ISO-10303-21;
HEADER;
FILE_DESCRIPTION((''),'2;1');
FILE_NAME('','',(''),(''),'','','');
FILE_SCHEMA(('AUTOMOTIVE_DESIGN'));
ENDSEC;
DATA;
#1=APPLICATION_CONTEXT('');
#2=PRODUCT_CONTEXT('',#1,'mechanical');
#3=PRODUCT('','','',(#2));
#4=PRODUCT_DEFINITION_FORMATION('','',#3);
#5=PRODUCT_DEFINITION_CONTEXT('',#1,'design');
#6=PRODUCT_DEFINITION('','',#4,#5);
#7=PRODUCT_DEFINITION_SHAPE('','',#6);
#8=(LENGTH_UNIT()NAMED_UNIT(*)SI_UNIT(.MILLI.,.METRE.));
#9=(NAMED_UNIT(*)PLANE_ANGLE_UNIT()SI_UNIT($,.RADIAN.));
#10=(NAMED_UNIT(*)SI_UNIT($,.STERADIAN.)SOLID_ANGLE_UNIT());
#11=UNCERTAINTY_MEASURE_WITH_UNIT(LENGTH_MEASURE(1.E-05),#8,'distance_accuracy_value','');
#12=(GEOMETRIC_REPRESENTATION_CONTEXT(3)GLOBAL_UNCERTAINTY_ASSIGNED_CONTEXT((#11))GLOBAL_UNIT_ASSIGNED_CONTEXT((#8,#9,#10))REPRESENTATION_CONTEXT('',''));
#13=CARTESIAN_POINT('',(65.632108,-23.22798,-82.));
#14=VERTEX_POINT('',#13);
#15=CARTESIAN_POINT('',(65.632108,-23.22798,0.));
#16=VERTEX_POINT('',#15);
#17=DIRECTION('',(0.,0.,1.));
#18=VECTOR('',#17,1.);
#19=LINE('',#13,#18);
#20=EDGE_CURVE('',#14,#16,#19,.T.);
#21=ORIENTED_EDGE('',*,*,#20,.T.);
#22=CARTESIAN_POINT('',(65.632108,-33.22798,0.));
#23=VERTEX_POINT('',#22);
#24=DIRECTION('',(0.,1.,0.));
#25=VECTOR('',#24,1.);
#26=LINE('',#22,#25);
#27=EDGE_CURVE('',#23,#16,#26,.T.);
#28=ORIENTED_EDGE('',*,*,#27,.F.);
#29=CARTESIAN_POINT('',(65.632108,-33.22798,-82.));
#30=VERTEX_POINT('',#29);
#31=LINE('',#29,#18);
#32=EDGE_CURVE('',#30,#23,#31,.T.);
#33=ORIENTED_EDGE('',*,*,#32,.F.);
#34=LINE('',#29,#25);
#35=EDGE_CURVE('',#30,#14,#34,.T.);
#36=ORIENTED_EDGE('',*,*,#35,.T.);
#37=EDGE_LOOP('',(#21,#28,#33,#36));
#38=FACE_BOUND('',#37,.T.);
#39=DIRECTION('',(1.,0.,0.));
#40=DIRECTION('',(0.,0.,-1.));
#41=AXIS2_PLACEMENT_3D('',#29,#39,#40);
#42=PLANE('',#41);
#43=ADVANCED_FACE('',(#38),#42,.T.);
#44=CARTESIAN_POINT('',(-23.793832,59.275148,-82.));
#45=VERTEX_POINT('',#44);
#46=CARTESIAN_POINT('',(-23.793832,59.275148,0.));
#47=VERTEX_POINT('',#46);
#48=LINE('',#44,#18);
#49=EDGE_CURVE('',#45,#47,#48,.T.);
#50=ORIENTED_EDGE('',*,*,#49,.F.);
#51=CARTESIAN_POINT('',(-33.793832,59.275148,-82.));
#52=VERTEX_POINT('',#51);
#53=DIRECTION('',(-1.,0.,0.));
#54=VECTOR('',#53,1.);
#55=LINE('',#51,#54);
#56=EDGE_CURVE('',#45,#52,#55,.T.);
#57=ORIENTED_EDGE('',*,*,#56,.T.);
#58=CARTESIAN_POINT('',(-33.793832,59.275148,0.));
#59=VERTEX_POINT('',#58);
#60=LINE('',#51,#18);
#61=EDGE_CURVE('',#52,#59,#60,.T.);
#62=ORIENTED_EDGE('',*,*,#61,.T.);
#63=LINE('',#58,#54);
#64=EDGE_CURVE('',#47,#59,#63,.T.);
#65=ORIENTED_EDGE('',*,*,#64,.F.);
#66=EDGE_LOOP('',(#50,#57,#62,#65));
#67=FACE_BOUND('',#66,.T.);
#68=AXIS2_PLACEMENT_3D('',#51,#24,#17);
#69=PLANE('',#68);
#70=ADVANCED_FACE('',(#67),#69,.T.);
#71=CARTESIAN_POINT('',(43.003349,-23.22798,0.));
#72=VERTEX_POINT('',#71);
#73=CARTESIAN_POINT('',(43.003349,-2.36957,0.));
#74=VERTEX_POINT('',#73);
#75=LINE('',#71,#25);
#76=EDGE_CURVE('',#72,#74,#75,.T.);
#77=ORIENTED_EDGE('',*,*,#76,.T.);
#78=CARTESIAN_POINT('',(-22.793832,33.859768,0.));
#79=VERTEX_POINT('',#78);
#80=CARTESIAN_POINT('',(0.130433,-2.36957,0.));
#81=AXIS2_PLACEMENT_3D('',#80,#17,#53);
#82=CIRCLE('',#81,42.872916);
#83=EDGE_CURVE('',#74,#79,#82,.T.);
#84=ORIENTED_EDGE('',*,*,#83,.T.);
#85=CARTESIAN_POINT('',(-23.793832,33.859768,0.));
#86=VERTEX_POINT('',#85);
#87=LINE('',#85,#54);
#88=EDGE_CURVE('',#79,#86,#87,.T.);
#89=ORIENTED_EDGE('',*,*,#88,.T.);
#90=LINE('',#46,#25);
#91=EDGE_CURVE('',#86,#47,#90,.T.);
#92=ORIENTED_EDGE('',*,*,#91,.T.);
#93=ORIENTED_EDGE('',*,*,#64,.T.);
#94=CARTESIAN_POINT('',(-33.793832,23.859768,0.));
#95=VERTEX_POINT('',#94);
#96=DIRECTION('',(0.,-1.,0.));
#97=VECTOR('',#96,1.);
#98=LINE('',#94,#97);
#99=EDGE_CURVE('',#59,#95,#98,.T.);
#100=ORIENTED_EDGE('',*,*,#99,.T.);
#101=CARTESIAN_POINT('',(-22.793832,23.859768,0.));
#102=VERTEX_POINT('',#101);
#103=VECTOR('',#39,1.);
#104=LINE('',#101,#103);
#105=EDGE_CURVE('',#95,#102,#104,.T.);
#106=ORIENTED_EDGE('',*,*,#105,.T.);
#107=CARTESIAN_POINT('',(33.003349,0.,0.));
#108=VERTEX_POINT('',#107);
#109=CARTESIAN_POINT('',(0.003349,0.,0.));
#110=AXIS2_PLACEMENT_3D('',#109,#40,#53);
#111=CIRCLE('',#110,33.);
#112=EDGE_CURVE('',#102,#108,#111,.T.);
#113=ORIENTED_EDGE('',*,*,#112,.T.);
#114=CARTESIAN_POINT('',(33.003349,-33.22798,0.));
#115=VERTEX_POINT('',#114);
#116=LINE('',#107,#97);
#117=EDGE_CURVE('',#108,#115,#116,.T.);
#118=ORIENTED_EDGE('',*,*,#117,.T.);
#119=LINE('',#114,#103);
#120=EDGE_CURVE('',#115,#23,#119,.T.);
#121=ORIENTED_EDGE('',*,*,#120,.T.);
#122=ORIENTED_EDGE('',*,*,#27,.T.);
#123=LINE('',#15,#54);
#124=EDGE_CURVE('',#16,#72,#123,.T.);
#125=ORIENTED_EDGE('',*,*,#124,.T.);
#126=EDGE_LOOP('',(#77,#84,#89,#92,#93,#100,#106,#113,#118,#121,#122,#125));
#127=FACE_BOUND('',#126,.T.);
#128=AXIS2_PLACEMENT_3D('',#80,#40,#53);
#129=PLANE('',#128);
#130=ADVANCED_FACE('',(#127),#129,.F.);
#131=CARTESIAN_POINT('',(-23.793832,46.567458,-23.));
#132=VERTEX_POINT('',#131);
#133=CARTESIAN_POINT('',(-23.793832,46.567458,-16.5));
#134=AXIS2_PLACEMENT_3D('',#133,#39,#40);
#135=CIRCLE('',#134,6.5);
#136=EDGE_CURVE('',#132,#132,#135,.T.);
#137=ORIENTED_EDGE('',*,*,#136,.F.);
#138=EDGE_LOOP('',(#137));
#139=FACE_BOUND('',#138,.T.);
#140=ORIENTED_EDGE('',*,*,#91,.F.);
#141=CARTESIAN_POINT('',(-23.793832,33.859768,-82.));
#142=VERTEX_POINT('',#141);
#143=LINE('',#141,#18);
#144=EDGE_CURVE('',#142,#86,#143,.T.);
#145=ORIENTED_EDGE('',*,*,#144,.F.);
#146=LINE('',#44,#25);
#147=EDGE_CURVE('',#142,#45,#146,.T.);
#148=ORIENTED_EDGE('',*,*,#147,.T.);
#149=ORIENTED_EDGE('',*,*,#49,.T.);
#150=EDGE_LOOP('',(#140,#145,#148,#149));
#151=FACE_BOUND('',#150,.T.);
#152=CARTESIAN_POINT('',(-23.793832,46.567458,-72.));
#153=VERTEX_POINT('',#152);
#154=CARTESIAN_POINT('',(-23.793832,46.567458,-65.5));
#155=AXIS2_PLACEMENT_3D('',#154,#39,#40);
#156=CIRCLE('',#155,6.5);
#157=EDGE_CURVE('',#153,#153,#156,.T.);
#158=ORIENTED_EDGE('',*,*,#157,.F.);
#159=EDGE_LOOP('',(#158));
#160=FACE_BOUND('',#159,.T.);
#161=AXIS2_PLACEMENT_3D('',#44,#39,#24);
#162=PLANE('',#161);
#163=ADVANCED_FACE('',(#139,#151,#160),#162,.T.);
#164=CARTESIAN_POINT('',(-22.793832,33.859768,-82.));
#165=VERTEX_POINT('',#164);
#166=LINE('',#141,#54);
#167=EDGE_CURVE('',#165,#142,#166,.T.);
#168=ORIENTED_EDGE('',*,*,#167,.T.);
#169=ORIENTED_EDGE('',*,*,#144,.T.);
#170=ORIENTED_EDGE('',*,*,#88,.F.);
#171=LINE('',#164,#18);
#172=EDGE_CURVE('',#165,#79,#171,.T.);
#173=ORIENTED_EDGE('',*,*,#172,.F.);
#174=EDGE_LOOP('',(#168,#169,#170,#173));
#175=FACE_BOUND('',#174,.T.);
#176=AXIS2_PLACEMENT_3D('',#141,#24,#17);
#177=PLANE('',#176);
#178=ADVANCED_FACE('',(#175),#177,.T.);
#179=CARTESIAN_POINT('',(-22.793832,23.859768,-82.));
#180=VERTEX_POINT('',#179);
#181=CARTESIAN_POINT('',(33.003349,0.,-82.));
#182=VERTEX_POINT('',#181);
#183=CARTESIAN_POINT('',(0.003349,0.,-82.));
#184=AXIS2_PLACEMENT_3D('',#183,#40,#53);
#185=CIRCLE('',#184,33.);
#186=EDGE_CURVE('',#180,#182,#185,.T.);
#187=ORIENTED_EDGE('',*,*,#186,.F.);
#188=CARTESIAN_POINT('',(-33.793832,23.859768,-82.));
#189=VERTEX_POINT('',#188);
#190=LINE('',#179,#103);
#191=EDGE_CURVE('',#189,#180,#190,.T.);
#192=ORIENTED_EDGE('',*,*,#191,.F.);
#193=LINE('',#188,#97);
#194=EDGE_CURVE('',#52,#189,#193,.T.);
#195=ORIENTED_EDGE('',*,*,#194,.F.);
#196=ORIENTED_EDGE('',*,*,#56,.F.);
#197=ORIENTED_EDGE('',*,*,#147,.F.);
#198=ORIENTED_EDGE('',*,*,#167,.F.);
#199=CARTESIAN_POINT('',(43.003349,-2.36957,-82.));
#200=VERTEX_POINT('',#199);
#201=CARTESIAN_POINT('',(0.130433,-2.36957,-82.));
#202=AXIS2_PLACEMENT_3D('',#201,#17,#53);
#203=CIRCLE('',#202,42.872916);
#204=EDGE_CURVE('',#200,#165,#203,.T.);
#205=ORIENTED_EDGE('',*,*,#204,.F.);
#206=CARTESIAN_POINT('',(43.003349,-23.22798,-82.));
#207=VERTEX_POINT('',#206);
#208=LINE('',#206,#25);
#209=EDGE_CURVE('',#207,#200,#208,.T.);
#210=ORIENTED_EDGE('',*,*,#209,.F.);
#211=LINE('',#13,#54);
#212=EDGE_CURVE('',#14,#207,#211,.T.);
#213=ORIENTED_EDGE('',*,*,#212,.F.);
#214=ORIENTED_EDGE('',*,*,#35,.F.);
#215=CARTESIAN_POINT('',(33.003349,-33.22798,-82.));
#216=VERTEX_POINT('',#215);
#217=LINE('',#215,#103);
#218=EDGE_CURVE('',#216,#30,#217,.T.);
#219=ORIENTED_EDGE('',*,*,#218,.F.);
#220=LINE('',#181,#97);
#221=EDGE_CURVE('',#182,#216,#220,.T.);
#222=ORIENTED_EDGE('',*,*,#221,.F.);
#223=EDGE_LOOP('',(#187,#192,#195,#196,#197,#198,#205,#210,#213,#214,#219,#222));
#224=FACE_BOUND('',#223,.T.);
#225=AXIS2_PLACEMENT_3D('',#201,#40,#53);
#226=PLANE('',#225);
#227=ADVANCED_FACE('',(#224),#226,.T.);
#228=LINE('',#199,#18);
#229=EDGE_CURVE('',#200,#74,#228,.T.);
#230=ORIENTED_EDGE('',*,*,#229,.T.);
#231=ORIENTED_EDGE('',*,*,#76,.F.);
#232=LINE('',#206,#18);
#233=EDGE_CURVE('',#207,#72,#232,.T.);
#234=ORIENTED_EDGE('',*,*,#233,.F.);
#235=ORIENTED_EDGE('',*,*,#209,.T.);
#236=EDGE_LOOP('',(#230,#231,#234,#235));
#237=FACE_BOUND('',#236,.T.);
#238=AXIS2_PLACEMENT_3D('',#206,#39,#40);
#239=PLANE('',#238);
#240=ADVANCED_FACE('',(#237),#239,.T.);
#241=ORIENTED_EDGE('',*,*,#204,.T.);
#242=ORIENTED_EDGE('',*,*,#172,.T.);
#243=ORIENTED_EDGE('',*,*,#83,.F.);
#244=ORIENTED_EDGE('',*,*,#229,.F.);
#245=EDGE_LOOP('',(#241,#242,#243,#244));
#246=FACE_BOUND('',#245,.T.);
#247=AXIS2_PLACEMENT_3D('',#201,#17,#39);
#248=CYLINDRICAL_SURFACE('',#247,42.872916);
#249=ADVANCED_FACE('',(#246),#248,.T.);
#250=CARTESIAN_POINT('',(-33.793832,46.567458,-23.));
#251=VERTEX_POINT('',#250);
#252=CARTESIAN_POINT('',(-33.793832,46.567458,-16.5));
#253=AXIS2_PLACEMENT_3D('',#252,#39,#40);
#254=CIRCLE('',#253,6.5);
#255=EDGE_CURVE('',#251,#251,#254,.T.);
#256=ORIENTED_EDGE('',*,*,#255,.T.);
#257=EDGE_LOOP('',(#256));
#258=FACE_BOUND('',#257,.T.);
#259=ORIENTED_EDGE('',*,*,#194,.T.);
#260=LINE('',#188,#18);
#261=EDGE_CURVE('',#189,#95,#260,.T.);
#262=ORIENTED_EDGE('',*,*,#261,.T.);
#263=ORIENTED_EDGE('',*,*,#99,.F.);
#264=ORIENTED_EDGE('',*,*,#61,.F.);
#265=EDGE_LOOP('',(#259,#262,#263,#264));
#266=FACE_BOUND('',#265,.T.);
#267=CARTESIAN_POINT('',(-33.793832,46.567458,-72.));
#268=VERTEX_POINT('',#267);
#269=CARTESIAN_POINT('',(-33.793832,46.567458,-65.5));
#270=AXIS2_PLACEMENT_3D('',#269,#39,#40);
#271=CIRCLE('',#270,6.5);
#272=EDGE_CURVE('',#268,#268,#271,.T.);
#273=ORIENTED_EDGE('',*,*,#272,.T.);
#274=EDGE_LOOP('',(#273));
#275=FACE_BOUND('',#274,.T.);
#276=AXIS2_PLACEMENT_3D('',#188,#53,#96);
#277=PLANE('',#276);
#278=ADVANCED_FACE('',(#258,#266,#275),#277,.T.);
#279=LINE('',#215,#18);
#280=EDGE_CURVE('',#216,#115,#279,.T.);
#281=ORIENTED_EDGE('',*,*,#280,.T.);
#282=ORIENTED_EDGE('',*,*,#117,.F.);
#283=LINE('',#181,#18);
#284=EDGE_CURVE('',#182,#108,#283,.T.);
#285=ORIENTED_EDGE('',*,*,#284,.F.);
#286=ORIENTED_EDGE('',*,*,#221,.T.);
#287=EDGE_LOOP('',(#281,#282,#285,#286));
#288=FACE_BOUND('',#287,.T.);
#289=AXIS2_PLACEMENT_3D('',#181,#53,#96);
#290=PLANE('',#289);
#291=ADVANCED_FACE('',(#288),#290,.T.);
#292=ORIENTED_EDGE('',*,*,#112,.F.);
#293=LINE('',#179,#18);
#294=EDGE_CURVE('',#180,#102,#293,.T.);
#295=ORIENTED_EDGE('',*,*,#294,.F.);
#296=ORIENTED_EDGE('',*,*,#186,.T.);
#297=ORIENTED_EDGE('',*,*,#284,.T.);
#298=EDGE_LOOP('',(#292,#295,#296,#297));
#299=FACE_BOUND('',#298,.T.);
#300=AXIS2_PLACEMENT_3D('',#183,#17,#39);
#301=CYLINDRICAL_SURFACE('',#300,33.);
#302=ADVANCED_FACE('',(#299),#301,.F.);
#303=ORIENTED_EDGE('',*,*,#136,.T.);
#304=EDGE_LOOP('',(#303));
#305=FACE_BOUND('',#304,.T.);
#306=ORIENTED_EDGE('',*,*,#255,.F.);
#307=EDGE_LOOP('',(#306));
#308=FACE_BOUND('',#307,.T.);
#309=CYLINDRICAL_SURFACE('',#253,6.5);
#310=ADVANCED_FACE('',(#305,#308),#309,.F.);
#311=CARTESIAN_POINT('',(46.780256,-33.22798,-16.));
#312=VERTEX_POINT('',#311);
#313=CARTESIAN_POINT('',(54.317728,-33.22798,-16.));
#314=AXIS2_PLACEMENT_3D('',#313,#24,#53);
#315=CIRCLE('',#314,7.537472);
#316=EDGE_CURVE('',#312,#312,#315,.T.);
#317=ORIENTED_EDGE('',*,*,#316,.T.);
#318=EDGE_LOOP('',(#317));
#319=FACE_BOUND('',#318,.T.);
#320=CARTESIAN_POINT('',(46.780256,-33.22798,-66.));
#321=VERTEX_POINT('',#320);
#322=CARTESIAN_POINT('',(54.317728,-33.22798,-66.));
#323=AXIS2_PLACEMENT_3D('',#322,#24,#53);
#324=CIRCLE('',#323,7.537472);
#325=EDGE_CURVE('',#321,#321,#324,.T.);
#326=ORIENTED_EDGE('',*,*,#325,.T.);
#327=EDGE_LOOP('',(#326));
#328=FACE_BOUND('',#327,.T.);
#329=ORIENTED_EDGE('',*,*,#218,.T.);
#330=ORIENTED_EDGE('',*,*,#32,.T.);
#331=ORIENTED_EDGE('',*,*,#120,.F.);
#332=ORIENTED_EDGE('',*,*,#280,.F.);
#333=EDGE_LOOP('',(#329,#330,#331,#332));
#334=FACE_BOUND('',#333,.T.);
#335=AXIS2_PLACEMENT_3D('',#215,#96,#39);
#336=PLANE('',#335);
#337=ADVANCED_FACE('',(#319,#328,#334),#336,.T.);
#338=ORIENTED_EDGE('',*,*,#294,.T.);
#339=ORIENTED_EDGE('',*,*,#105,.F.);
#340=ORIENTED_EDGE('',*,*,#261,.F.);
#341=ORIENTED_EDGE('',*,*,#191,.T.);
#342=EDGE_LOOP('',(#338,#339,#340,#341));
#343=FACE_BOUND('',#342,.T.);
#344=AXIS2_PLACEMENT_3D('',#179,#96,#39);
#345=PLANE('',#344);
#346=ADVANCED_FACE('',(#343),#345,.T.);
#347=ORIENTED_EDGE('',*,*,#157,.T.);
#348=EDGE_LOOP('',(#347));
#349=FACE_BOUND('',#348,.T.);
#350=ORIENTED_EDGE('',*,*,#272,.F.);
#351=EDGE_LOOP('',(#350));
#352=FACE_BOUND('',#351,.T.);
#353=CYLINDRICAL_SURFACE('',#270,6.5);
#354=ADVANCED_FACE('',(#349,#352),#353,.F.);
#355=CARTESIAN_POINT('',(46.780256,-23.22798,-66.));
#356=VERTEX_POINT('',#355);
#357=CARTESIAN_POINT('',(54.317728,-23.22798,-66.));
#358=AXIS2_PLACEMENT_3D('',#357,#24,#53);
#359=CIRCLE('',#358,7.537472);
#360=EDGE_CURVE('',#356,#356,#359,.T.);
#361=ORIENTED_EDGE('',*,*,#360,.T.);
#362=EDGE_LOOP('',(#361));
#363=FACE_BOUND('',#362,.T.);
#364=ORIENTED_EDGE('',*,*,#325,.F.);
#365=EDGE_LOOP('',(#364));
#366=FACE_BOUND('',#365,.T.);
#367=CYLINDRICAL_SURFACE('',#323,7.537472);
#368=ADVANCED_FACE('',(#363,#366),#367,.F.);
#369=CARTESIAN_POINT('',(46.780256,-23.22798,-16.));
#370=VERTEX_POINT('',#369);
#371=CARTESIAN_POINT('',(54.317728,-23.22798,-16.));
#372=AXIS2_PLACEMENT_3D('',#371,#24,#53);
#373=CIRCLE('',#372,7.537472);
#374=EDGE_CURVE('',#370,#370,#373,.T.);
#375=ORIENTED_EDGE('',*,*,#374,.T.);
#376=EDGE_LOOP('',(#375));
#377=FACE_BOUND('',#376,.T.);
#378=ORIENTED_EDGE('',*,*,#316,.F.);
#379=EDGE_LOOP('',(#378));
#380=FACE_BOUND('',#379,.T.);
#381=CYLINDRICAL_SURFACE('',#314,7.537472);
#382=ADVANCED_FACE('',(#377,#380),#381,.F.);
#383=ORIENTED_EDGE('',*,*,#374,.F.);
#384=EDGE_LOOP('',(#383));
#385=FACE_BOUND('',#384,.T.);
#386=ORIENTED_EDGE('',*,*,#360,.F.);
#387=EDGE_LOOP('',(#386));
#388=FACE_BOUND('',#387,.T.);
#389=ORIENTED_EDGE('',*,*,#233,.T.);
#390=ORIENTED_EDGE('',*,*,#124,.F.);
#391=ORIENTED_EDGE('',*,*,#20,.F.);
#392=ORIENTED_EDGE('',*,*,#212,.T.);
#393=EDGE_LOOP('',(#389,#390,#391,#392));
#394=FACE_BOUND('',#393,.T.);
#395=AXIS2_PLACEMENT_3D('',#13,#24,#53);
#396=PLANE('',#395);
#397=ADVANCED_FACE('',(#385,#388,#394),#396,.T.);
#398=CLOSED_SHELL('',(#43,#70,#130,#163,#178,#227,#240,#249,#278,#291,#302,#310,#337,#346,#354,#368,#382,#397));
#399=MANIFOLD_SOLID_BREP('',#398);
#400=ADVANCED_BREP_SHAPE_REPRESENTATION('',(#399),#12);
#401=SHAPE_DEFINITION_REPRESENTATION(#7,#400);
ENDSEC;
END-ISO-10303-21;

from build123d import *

# Parameters (mm, degrees)
BOSS_EXTRUDE1_DEPTH = 82
SKETCH3_R           = 7.537472245
CUT_EXTRUDE2_DEPTH  = 11
SKETCH4_R           = 6.5
CUT_EXTRUDE3_DEPTH  = 11


with BuildPart() as part:
    # Sketch1 → Boss-Extrude1 (new body)
    with BuildSketch(Plane.XY):
        with BuildLine():
            Line((33.003348812, 0), (33.003348812, -33.227979662))
            Line((33.003348812, -33.227979662), (65.632108119, -33.227979662))
            Line((65.632108119, -33.227979662), (65.632108119, -23.227979662))
            Line((65.632108119, -23.227979662), (43.003348812, -23.227979662))
            Line((43.003348812, -23.227979662), (43.003348812, -2.369569967))
            ThreePointArc((43.003348812, -2.369569967), (20.809611253, 35.186501293), (-22.793831907, 33.859768466))
            Line((-22.793831907, 33.859768466), (-23.793831907, 33.859768466))
            Line((-23.793831907, 33.859768466), (-23.793831907, 59.275147612))
            Line((-23.793831907, 59.275147612), (-33.793831907, 59.275147612))
            Line((-33.793831907, 59.275147612), (-33.793831907, 23.859768466))
            Line((-33.793831907, 23.859768466), (-22.793831907, 23.859768466))
            ThreePointArc((-22.793831907, 23.859768466), (12.978190551, 30.342272193), (33.003348812, 0))
        make_face()
    extrude(amount=-BOSS_EXTRUDE1_DEPTH)

    # Sketch3 → Cut-Extrude2 (cut, through all)
    with BuildSketch(Plane(origin=(0, -23.227979662, 0), x_dir=(1, 0, 0), z_dir=(0, 1, 0))):
        with Locations((54.317728466, 16)):
            Circle(SKETCH3_R)
        with Locations((54.317728466, 66)):
            Circle(SKETCH3_R)
    extrude(amount=-CUT_EXTRUDE2_DEPTH, mode=Mode.SUBTRACT)

    # Sketch4 → Cut-Extrude3 (cut, through all)
    with BuildSketch(Plane(origin=(-23.793831907, 0, 0), x_dir=(0, 0, -1), z_dir=(1, 0, 0))):
        with Locations((16.5, 46.567458039)):
            Circle(SKETCH4_R)
        with Locations((65.5, 46.567458039)):
            Circle(SKETCH4_R)
    extrude(amount=-CUT_EXTRUDE3_DEPTH, mode=Mode.SUBTRACT)


solid = part.part
